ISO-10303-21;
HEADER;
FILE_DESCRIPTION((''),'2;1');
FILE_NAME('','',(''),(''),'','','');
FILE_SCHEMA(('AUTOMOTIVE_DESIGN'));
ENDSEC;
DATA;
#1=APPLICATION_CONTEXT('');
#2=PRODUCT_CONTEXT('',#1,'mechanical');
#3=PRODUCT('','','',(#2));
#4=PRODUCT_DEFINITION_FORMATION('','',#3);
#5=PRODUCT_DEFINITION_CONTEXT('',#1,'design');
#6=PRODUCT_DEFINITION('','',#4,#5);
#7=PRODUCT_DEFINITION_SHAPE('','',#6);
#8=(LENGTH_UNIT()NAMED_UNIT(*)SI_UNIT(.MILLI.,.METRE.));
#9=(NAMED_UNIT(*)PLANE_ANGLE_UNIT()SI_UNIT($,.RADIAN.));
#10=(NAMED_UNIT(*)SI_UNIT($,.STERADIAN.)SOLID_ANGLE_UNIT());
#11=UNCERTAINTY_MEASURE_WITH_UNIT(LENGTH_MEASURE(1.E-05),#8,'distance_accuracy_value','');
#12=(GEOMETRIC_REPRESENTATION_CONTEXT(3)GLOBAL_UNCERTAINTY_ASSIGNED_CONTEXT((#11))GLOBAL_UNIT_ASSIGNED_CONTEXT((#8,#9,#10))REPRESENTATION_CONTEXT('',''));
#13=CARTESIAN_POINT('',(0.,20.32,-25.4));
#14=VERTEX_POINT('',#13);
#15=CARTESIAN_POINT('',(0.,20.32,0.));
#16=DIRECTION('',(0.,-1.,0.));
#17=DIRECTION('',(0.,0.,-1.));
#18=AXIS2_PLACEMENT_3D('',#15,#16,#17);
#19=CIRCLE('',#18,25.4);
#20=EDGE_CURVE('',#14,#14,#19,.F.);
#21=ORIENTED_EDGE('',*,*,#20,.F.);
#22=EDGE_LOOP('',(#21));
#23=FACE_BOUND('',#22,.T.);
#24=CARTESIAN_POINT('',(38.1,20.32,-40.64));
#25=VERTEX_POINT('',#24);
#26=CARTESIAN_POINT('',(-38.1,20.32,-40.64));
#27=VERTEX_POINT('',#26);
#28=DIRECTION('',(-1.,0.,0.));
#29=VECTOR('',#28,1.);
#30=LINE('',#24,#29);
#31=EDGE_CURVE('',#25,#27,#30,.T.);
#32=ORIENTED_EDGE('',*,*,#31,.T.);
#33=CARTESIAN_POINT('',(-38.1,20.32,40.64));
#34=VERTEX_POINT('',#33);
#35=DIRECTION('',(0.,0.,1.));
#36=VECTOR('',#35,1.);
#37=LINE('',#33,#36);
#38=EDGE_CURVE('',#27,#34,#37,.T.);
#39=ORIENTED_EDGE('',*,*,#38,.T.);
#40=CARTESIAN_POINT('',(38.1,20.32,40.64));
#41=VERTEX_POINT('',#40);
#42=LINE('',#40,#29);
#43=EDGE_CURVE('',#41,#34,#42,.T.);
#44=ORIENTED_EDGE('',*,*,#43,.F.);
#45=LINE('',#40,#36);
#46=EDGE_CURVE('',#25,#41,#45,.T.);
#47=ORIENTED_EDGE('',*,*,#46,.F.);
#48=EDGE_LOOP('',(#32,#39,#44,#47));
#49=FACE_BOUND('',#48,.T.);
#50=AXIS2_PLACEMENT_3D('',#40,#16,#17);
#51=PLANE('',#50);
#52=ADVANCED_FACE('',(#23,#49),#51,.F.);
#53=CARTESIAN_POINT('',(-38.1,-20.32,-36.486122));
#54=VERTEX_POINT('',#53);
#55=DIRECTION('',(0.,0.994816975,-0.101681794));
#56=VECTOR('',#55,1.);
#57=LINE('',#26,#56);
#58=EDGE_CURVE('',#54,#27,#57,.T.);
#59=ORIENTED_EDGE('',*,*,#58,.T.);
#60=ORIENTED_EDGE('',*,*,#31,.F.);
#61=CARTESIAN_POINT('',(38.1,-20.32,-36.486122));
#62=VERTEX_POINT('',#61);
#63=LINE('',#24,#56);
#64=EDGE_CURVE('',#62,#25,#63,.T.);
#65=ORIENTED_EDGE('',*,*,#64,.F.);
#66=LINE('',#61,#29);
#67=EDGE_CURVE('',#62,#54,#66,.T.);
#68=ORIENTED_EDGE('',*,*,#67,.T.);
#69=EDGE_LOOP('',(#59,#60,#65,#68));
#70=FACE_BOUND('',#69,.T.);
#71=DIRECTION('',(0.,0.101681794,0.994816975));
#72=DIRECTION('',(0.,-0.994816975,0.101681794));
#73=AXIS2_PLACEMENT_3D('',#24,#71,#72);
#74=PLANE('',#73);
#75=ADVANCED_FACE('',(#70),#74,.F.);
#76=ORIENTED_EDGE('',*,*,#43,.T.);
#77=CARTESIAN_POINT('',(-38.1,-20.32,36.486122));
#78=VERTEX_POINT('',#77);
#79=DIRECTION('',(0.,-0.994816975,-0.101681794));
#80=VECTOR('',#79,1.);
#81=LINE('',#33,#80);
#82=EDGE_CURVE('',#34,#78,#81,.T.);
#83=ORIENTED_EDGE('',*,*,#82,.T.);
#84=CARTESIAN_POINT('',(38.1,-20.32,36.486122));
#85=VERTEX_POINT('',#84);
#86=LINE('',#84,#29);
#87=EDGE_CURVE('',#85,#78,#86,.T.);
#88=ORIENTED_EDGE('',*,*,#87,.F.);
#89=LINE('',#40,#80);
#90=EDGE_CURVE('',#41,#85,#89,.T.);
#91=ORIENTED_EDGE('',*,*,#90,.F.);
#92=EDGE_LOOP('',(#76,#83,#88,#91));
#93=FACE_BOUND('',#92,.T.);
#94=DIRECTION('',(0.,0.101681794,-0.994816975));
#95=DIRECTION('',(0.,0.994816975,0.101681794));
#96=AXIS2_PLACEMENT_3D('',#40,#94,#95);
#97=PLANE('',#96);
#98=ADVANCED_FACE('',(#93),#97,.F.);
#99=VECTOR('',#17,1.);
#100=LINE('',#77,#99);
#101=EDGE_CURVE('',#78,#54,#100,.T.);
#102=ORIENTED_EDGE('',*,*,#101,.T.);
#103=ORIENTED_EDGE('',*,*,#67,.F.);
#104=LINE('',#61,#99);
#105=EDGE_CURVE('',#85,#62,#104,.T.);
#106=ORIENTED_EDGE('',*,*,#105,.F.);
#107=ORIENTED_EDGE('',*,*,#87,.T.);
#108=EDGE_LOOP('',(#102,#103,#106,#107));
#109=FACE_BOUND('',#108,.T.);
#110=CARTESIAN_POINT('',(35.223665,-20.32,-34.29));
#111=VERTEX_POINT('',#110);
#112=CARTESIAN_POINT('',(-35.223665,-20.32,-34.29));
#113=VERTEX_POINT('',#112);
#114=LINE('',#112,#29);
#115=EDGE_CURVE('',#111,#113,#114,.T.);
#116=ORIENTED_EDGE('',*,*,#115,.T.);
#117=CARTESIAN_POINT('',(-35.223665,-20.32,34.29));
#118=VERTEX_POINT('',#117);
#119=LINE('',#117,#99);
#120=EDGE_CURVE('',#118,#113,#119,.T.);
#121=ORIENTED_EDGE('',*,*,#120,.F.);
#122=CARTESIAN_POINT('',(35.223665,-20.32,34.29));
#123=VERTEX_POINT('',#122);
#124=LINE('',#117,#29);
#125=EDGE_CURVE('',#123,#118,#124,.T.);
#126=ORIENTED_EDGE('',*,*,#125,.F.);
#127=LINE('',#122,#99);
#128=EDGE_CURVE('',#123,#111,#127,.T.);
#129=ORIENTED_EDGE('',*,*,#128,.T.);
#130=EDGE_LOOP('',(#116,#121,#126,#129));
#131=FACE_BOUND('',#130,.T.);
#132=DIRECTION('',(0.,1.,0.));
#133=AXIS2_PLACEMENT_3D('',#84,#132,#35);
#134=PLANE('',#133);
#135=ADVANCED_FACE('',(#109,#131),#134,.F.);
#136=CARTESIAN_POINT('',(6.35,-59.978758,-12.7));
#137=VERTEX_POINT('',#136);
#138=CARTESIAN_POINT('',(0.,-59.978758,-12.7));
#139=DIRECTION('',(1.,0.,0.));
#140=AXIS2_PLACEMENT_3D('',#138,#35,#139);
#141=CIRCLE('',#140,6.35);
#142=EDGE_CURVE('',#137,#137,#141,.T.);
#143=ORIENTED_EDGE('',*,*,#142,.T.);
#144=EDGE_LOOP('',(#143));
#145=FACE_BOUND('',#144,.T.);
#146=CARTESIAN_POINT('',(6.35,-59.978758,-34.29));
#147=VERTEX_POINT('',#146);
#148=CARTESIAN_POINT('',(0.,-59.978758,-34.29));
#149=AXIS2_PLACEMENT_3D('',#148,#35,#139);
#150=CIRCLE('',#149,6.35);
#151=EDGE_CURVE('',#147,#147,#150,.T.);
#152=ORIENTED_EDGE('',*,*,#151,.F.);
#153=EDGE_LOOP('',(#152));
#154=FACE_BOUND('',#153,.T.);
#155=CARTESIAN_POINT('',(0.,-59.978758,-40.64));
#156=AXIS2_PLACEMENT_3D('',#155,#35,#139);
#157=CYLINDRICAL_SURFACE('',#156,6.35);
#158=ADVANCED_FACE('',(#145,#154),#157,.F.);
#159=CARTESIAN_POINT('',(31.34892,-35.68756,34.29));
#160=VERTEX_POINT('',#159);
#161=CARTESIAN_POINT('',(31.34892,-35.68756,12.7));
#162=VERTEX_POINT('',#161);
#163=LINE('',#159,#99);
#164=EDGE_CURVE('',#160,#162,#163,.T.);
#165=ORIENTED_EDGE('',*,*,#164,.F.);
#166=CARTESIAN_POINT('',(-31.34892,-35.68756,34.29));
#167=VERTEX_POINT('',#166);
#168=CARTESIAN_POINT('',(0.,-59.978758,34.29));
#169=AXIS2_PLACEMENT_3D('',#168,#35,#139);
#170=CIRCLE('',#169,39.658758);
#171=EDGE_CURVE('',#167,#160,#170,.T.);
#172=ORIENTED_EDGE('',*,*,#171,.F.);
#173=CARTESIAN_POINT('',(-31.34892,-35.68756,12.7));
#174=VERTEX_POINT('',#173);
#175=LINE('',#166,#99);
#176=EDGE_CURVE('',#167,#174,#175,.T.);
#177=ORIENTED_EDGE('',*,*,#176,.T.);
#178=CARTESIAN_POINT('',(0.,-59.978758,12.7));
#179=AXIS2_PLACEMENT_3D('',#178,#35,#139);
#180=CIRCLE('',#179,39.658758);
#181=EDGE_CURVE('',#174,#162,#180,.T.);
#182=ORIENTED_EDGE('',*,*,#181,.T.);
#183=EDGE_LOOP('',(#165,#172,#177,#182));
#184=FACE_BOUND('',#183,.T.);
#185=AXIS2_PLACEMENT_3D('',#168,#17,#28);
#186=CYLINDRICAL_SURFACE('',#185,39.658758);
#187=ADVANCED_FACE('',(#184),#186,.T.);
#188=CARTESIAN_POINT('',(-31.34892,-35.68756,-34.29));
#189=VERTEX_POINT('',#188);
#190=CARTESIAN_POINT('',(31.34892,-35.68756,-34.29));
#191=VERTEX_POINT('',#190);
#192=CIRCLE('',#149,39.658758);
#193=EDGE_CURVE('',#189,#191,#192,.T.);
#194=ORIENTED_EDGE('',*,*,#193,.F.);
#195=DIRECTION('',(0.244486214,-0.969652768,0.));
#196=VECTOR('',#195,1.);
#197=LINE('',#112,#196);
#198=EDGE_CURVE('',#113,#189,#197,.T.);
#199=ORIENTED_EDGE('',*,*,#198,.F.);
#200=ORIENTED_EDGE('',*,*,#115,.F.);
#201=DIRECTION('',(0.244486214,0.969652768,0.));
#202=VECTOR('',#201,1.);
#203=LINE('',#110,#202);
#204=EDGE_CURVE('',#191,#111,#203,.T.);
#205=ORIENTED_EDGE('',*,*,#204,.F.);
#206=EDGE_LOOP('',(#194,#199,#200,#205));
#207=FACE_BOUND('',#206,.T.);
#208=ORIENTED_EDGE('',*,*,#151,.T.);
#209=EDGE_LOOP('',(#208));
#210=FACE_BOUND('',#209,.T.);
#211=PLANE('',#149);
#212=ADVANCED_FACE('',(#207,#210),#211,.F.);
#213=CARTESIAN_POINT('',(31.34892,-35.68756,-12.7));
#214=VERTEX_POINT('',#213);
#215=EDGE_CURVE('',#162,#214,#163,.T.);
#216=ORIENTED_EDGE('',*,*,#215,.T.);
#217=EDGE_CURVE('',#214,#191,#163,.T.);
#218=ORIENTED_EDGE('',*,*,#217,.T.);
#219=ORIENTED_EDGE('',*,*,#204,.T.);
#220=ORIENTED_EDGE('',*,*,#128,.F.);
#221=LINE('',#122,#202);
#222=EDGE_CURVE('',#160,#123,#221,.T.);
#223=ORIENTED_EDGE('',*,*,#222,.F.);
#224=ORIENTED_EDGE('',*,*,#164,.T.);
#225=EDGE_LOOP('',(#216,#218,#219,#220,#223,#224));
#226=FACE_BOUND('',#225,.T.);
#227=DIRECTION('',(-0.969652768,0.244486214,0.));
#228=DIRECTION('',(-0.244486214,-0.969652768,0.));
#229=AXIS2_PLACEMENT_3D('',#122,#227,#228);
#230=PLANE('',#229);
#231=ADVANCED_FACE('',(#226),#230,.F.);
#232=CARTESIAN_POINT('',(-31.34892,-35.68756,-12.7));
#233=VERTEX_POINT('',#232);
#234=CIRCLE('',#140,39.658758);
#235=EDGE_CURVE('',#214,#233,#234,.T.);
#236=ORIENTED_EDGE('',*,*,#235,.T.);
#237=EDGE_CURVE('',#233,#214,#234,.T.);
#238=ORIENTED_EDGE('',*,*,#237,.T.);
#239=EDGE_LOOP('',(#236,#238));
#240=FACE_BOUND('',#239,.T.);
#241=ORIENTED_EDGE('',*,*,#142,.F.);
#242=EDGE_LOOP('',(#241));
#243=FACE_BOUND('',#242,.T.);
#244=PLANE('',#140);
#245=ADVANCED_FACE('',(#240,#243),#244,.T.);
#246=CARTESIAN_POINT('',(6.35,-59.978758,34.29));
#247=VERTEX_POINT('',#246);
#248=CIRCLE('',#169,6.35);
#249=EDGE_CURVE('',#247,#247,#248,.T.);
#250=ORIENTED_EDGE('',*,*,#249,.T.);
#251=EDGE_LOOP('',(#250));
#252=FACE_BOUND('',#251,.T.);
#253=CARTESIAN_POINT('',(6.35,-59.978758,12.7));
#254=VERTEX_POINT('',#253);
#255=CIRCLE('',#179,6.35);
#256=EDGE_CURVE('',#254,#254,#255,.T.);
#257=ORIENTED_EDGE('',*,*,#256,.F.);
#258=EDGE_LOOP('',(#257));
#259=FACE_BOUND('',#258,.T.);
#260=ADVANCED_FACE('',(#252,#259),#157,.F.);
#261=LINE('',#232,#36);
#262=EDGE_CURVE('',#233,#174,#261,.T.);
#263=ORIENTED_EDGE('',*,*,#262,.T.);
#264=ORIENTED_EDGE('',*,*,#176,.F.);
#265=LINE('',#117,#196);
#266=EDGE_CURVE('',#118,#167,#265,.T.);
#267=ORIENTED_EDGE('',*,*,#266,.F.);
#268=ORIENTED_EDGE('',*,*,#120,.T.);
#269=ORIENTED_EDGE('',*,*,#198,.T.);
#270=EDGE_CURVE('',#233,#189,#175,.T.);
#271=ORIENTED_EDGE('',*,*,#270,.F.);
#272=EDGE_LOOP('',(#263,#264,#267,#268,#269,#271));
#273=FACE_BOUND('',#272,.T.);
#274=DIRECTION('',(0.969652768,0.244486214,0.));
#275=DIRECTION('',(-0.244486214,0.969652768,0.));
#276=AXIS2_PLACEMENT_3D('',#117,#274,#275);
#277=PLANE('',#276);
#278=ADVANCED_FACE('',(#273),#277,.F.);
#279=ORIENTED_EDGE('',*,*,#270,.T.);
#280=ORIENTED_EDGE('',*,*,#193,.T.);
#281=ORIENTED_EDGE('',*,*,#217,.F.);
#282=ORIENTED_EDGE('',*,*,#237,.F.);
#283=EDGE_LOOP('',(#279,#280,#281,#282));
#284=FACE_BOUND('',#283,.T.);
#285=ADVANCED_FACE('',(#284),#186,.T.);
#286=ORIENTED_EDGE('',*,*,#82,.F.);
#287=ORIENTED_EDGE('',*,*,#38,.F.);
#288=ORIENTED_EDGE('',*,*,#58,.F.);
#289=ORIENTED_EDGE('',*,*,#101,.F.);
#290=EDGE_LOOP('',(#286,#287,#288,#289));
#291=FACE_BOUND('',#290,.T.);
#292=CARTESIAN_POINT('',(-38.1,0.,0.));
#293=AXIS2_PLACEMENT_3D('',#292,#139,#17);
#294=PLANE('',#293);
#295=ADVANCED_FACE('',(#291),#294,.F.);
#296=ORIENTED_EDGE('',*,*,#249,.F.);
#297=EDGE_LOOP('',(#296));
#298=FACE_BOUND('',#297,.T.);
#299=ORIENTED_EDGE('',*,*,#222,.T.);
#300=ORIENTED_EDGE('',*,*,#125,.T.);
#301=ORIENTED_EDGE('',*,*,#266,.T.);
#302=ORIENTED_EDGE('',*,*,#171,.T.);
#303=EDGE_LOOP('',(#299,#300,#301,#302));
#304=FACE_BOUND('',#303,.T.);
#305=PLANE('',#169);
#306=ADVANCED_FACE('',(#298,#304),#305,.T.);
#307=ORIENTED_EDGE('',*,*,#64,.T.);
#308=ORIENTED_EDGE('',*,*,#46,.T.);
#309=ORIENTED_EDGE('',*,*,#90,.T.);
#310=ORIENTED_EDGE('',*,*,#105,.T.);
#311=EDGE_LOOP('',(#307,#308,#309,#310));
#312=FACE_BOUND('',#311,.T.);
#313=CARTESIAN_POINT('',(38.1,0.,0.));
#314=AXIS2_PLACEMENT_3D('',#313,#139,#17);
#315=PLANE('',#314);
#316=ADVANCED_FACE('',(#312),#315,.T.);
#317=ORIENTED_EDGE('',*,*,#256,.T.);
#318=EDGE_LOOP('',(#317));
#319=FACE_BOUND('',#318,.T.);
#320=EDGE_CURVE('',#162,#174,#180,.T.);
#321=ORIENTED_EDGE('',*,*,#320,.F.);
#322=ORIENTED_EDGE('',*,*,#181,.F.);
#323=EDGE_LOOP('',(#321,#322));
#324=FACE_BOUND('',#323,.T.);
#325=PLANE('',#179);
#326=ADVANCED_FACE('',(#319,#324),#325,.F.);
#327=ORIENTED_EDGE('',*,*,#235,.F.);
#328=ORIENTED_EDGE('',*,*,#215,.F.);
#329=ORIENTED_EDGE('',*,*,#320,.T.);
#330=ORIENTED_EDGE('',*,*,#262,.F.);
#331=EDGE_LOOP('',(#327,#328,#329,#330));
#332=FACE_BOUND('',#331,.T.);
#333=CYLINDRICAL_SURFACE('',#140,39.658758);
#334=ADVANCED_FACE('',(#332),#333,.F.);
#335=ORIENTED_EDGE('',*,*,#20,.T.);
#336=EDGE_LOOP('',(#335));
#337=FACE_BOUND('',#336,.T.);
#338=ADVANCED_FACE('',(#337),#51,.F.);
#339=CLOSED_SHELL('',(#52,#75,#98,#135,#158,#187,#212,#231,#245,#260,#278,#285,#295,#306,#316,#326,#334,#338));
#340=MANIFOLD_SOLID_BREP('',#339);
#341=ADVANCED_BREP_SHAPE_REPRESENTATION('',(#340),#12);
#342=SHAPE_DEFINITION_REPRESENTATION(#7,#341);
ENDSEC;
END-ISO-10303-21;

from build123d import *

# Parameters (mm, degrees)
SALIENTE_EXTRUIR1_DEPTH = 38.1
SALIENTE_EXTRUIR2_DEPTH = 34.29
CROQUIS3_R              = 39.658757808
CORTAR_EXTRUIR1_DEPTH   = 12.7
CROQUIS4_R              = 6.35
CORTAR_EXTRUIR2_DEPTH   = 75.93


with BuildPart() as part:
    # Croquis1 → Saliente-Extruir1 (new body, symmetric)
    with BuildSketch(Plane(origin=(0, 0, 0), x_dir=(0, 0, -1), z_dir=(1, 0, 0))):
        Polygon((-40.64, 20.319999995), (-36.486122257, -20.319999995), (0, -20.319999995), (36.486122257, -20.319999995), (40.64, 20.319999995), align=None)
    extrude(amount=SALIENTE_EXTRUIR1_DEPTH, both=True)

    # Croquis2 → Saliente-Extruir2 (add, symmetric)
    with BuildSketch(Plane.XY):
        with BuildLine():
            Line((35.223664747, -20.319999995), (31.348920302, -35.687560492))
            ThreePointArc((31.348920302, -35.687560492), (0, -99.63751561), (-31.348920302, -35.687560492))
            Line((-31.348920302, -35.687560492), (-35.223664747, -20.319999995))
            Line((-35.223664747, -20.319999995), (35.223664747, -20.319999995))
        make_face()
    extrude(amount=SALIENTE_EXTRUIR2_DEPTH, both=True)

    # Croquis3 → Cortar-Extruir1 (cut, symmetric)
    with BuildSketch(Plane.XY):
        with Locations((0, -59.978757803)):
            Circle(CROQUIS3_R)
    extrude(amount=CORTAR_EXTRUIR1_DEPTH, both=True, mode=Mode.SUBTRACT)

    # Croquis4 → Cortar-Extruir2 (cut, through all)
    with BuildSketch(Plane.XY.offset(34.29)):
        with Locations((0, -59.978757803)):
            Circle(CROQUIS4_R)
    extrude(amount=-CORTAR_EXTRUIR2_DEPTH, mode=Mode.SUBTRACT)


solid = part.part
